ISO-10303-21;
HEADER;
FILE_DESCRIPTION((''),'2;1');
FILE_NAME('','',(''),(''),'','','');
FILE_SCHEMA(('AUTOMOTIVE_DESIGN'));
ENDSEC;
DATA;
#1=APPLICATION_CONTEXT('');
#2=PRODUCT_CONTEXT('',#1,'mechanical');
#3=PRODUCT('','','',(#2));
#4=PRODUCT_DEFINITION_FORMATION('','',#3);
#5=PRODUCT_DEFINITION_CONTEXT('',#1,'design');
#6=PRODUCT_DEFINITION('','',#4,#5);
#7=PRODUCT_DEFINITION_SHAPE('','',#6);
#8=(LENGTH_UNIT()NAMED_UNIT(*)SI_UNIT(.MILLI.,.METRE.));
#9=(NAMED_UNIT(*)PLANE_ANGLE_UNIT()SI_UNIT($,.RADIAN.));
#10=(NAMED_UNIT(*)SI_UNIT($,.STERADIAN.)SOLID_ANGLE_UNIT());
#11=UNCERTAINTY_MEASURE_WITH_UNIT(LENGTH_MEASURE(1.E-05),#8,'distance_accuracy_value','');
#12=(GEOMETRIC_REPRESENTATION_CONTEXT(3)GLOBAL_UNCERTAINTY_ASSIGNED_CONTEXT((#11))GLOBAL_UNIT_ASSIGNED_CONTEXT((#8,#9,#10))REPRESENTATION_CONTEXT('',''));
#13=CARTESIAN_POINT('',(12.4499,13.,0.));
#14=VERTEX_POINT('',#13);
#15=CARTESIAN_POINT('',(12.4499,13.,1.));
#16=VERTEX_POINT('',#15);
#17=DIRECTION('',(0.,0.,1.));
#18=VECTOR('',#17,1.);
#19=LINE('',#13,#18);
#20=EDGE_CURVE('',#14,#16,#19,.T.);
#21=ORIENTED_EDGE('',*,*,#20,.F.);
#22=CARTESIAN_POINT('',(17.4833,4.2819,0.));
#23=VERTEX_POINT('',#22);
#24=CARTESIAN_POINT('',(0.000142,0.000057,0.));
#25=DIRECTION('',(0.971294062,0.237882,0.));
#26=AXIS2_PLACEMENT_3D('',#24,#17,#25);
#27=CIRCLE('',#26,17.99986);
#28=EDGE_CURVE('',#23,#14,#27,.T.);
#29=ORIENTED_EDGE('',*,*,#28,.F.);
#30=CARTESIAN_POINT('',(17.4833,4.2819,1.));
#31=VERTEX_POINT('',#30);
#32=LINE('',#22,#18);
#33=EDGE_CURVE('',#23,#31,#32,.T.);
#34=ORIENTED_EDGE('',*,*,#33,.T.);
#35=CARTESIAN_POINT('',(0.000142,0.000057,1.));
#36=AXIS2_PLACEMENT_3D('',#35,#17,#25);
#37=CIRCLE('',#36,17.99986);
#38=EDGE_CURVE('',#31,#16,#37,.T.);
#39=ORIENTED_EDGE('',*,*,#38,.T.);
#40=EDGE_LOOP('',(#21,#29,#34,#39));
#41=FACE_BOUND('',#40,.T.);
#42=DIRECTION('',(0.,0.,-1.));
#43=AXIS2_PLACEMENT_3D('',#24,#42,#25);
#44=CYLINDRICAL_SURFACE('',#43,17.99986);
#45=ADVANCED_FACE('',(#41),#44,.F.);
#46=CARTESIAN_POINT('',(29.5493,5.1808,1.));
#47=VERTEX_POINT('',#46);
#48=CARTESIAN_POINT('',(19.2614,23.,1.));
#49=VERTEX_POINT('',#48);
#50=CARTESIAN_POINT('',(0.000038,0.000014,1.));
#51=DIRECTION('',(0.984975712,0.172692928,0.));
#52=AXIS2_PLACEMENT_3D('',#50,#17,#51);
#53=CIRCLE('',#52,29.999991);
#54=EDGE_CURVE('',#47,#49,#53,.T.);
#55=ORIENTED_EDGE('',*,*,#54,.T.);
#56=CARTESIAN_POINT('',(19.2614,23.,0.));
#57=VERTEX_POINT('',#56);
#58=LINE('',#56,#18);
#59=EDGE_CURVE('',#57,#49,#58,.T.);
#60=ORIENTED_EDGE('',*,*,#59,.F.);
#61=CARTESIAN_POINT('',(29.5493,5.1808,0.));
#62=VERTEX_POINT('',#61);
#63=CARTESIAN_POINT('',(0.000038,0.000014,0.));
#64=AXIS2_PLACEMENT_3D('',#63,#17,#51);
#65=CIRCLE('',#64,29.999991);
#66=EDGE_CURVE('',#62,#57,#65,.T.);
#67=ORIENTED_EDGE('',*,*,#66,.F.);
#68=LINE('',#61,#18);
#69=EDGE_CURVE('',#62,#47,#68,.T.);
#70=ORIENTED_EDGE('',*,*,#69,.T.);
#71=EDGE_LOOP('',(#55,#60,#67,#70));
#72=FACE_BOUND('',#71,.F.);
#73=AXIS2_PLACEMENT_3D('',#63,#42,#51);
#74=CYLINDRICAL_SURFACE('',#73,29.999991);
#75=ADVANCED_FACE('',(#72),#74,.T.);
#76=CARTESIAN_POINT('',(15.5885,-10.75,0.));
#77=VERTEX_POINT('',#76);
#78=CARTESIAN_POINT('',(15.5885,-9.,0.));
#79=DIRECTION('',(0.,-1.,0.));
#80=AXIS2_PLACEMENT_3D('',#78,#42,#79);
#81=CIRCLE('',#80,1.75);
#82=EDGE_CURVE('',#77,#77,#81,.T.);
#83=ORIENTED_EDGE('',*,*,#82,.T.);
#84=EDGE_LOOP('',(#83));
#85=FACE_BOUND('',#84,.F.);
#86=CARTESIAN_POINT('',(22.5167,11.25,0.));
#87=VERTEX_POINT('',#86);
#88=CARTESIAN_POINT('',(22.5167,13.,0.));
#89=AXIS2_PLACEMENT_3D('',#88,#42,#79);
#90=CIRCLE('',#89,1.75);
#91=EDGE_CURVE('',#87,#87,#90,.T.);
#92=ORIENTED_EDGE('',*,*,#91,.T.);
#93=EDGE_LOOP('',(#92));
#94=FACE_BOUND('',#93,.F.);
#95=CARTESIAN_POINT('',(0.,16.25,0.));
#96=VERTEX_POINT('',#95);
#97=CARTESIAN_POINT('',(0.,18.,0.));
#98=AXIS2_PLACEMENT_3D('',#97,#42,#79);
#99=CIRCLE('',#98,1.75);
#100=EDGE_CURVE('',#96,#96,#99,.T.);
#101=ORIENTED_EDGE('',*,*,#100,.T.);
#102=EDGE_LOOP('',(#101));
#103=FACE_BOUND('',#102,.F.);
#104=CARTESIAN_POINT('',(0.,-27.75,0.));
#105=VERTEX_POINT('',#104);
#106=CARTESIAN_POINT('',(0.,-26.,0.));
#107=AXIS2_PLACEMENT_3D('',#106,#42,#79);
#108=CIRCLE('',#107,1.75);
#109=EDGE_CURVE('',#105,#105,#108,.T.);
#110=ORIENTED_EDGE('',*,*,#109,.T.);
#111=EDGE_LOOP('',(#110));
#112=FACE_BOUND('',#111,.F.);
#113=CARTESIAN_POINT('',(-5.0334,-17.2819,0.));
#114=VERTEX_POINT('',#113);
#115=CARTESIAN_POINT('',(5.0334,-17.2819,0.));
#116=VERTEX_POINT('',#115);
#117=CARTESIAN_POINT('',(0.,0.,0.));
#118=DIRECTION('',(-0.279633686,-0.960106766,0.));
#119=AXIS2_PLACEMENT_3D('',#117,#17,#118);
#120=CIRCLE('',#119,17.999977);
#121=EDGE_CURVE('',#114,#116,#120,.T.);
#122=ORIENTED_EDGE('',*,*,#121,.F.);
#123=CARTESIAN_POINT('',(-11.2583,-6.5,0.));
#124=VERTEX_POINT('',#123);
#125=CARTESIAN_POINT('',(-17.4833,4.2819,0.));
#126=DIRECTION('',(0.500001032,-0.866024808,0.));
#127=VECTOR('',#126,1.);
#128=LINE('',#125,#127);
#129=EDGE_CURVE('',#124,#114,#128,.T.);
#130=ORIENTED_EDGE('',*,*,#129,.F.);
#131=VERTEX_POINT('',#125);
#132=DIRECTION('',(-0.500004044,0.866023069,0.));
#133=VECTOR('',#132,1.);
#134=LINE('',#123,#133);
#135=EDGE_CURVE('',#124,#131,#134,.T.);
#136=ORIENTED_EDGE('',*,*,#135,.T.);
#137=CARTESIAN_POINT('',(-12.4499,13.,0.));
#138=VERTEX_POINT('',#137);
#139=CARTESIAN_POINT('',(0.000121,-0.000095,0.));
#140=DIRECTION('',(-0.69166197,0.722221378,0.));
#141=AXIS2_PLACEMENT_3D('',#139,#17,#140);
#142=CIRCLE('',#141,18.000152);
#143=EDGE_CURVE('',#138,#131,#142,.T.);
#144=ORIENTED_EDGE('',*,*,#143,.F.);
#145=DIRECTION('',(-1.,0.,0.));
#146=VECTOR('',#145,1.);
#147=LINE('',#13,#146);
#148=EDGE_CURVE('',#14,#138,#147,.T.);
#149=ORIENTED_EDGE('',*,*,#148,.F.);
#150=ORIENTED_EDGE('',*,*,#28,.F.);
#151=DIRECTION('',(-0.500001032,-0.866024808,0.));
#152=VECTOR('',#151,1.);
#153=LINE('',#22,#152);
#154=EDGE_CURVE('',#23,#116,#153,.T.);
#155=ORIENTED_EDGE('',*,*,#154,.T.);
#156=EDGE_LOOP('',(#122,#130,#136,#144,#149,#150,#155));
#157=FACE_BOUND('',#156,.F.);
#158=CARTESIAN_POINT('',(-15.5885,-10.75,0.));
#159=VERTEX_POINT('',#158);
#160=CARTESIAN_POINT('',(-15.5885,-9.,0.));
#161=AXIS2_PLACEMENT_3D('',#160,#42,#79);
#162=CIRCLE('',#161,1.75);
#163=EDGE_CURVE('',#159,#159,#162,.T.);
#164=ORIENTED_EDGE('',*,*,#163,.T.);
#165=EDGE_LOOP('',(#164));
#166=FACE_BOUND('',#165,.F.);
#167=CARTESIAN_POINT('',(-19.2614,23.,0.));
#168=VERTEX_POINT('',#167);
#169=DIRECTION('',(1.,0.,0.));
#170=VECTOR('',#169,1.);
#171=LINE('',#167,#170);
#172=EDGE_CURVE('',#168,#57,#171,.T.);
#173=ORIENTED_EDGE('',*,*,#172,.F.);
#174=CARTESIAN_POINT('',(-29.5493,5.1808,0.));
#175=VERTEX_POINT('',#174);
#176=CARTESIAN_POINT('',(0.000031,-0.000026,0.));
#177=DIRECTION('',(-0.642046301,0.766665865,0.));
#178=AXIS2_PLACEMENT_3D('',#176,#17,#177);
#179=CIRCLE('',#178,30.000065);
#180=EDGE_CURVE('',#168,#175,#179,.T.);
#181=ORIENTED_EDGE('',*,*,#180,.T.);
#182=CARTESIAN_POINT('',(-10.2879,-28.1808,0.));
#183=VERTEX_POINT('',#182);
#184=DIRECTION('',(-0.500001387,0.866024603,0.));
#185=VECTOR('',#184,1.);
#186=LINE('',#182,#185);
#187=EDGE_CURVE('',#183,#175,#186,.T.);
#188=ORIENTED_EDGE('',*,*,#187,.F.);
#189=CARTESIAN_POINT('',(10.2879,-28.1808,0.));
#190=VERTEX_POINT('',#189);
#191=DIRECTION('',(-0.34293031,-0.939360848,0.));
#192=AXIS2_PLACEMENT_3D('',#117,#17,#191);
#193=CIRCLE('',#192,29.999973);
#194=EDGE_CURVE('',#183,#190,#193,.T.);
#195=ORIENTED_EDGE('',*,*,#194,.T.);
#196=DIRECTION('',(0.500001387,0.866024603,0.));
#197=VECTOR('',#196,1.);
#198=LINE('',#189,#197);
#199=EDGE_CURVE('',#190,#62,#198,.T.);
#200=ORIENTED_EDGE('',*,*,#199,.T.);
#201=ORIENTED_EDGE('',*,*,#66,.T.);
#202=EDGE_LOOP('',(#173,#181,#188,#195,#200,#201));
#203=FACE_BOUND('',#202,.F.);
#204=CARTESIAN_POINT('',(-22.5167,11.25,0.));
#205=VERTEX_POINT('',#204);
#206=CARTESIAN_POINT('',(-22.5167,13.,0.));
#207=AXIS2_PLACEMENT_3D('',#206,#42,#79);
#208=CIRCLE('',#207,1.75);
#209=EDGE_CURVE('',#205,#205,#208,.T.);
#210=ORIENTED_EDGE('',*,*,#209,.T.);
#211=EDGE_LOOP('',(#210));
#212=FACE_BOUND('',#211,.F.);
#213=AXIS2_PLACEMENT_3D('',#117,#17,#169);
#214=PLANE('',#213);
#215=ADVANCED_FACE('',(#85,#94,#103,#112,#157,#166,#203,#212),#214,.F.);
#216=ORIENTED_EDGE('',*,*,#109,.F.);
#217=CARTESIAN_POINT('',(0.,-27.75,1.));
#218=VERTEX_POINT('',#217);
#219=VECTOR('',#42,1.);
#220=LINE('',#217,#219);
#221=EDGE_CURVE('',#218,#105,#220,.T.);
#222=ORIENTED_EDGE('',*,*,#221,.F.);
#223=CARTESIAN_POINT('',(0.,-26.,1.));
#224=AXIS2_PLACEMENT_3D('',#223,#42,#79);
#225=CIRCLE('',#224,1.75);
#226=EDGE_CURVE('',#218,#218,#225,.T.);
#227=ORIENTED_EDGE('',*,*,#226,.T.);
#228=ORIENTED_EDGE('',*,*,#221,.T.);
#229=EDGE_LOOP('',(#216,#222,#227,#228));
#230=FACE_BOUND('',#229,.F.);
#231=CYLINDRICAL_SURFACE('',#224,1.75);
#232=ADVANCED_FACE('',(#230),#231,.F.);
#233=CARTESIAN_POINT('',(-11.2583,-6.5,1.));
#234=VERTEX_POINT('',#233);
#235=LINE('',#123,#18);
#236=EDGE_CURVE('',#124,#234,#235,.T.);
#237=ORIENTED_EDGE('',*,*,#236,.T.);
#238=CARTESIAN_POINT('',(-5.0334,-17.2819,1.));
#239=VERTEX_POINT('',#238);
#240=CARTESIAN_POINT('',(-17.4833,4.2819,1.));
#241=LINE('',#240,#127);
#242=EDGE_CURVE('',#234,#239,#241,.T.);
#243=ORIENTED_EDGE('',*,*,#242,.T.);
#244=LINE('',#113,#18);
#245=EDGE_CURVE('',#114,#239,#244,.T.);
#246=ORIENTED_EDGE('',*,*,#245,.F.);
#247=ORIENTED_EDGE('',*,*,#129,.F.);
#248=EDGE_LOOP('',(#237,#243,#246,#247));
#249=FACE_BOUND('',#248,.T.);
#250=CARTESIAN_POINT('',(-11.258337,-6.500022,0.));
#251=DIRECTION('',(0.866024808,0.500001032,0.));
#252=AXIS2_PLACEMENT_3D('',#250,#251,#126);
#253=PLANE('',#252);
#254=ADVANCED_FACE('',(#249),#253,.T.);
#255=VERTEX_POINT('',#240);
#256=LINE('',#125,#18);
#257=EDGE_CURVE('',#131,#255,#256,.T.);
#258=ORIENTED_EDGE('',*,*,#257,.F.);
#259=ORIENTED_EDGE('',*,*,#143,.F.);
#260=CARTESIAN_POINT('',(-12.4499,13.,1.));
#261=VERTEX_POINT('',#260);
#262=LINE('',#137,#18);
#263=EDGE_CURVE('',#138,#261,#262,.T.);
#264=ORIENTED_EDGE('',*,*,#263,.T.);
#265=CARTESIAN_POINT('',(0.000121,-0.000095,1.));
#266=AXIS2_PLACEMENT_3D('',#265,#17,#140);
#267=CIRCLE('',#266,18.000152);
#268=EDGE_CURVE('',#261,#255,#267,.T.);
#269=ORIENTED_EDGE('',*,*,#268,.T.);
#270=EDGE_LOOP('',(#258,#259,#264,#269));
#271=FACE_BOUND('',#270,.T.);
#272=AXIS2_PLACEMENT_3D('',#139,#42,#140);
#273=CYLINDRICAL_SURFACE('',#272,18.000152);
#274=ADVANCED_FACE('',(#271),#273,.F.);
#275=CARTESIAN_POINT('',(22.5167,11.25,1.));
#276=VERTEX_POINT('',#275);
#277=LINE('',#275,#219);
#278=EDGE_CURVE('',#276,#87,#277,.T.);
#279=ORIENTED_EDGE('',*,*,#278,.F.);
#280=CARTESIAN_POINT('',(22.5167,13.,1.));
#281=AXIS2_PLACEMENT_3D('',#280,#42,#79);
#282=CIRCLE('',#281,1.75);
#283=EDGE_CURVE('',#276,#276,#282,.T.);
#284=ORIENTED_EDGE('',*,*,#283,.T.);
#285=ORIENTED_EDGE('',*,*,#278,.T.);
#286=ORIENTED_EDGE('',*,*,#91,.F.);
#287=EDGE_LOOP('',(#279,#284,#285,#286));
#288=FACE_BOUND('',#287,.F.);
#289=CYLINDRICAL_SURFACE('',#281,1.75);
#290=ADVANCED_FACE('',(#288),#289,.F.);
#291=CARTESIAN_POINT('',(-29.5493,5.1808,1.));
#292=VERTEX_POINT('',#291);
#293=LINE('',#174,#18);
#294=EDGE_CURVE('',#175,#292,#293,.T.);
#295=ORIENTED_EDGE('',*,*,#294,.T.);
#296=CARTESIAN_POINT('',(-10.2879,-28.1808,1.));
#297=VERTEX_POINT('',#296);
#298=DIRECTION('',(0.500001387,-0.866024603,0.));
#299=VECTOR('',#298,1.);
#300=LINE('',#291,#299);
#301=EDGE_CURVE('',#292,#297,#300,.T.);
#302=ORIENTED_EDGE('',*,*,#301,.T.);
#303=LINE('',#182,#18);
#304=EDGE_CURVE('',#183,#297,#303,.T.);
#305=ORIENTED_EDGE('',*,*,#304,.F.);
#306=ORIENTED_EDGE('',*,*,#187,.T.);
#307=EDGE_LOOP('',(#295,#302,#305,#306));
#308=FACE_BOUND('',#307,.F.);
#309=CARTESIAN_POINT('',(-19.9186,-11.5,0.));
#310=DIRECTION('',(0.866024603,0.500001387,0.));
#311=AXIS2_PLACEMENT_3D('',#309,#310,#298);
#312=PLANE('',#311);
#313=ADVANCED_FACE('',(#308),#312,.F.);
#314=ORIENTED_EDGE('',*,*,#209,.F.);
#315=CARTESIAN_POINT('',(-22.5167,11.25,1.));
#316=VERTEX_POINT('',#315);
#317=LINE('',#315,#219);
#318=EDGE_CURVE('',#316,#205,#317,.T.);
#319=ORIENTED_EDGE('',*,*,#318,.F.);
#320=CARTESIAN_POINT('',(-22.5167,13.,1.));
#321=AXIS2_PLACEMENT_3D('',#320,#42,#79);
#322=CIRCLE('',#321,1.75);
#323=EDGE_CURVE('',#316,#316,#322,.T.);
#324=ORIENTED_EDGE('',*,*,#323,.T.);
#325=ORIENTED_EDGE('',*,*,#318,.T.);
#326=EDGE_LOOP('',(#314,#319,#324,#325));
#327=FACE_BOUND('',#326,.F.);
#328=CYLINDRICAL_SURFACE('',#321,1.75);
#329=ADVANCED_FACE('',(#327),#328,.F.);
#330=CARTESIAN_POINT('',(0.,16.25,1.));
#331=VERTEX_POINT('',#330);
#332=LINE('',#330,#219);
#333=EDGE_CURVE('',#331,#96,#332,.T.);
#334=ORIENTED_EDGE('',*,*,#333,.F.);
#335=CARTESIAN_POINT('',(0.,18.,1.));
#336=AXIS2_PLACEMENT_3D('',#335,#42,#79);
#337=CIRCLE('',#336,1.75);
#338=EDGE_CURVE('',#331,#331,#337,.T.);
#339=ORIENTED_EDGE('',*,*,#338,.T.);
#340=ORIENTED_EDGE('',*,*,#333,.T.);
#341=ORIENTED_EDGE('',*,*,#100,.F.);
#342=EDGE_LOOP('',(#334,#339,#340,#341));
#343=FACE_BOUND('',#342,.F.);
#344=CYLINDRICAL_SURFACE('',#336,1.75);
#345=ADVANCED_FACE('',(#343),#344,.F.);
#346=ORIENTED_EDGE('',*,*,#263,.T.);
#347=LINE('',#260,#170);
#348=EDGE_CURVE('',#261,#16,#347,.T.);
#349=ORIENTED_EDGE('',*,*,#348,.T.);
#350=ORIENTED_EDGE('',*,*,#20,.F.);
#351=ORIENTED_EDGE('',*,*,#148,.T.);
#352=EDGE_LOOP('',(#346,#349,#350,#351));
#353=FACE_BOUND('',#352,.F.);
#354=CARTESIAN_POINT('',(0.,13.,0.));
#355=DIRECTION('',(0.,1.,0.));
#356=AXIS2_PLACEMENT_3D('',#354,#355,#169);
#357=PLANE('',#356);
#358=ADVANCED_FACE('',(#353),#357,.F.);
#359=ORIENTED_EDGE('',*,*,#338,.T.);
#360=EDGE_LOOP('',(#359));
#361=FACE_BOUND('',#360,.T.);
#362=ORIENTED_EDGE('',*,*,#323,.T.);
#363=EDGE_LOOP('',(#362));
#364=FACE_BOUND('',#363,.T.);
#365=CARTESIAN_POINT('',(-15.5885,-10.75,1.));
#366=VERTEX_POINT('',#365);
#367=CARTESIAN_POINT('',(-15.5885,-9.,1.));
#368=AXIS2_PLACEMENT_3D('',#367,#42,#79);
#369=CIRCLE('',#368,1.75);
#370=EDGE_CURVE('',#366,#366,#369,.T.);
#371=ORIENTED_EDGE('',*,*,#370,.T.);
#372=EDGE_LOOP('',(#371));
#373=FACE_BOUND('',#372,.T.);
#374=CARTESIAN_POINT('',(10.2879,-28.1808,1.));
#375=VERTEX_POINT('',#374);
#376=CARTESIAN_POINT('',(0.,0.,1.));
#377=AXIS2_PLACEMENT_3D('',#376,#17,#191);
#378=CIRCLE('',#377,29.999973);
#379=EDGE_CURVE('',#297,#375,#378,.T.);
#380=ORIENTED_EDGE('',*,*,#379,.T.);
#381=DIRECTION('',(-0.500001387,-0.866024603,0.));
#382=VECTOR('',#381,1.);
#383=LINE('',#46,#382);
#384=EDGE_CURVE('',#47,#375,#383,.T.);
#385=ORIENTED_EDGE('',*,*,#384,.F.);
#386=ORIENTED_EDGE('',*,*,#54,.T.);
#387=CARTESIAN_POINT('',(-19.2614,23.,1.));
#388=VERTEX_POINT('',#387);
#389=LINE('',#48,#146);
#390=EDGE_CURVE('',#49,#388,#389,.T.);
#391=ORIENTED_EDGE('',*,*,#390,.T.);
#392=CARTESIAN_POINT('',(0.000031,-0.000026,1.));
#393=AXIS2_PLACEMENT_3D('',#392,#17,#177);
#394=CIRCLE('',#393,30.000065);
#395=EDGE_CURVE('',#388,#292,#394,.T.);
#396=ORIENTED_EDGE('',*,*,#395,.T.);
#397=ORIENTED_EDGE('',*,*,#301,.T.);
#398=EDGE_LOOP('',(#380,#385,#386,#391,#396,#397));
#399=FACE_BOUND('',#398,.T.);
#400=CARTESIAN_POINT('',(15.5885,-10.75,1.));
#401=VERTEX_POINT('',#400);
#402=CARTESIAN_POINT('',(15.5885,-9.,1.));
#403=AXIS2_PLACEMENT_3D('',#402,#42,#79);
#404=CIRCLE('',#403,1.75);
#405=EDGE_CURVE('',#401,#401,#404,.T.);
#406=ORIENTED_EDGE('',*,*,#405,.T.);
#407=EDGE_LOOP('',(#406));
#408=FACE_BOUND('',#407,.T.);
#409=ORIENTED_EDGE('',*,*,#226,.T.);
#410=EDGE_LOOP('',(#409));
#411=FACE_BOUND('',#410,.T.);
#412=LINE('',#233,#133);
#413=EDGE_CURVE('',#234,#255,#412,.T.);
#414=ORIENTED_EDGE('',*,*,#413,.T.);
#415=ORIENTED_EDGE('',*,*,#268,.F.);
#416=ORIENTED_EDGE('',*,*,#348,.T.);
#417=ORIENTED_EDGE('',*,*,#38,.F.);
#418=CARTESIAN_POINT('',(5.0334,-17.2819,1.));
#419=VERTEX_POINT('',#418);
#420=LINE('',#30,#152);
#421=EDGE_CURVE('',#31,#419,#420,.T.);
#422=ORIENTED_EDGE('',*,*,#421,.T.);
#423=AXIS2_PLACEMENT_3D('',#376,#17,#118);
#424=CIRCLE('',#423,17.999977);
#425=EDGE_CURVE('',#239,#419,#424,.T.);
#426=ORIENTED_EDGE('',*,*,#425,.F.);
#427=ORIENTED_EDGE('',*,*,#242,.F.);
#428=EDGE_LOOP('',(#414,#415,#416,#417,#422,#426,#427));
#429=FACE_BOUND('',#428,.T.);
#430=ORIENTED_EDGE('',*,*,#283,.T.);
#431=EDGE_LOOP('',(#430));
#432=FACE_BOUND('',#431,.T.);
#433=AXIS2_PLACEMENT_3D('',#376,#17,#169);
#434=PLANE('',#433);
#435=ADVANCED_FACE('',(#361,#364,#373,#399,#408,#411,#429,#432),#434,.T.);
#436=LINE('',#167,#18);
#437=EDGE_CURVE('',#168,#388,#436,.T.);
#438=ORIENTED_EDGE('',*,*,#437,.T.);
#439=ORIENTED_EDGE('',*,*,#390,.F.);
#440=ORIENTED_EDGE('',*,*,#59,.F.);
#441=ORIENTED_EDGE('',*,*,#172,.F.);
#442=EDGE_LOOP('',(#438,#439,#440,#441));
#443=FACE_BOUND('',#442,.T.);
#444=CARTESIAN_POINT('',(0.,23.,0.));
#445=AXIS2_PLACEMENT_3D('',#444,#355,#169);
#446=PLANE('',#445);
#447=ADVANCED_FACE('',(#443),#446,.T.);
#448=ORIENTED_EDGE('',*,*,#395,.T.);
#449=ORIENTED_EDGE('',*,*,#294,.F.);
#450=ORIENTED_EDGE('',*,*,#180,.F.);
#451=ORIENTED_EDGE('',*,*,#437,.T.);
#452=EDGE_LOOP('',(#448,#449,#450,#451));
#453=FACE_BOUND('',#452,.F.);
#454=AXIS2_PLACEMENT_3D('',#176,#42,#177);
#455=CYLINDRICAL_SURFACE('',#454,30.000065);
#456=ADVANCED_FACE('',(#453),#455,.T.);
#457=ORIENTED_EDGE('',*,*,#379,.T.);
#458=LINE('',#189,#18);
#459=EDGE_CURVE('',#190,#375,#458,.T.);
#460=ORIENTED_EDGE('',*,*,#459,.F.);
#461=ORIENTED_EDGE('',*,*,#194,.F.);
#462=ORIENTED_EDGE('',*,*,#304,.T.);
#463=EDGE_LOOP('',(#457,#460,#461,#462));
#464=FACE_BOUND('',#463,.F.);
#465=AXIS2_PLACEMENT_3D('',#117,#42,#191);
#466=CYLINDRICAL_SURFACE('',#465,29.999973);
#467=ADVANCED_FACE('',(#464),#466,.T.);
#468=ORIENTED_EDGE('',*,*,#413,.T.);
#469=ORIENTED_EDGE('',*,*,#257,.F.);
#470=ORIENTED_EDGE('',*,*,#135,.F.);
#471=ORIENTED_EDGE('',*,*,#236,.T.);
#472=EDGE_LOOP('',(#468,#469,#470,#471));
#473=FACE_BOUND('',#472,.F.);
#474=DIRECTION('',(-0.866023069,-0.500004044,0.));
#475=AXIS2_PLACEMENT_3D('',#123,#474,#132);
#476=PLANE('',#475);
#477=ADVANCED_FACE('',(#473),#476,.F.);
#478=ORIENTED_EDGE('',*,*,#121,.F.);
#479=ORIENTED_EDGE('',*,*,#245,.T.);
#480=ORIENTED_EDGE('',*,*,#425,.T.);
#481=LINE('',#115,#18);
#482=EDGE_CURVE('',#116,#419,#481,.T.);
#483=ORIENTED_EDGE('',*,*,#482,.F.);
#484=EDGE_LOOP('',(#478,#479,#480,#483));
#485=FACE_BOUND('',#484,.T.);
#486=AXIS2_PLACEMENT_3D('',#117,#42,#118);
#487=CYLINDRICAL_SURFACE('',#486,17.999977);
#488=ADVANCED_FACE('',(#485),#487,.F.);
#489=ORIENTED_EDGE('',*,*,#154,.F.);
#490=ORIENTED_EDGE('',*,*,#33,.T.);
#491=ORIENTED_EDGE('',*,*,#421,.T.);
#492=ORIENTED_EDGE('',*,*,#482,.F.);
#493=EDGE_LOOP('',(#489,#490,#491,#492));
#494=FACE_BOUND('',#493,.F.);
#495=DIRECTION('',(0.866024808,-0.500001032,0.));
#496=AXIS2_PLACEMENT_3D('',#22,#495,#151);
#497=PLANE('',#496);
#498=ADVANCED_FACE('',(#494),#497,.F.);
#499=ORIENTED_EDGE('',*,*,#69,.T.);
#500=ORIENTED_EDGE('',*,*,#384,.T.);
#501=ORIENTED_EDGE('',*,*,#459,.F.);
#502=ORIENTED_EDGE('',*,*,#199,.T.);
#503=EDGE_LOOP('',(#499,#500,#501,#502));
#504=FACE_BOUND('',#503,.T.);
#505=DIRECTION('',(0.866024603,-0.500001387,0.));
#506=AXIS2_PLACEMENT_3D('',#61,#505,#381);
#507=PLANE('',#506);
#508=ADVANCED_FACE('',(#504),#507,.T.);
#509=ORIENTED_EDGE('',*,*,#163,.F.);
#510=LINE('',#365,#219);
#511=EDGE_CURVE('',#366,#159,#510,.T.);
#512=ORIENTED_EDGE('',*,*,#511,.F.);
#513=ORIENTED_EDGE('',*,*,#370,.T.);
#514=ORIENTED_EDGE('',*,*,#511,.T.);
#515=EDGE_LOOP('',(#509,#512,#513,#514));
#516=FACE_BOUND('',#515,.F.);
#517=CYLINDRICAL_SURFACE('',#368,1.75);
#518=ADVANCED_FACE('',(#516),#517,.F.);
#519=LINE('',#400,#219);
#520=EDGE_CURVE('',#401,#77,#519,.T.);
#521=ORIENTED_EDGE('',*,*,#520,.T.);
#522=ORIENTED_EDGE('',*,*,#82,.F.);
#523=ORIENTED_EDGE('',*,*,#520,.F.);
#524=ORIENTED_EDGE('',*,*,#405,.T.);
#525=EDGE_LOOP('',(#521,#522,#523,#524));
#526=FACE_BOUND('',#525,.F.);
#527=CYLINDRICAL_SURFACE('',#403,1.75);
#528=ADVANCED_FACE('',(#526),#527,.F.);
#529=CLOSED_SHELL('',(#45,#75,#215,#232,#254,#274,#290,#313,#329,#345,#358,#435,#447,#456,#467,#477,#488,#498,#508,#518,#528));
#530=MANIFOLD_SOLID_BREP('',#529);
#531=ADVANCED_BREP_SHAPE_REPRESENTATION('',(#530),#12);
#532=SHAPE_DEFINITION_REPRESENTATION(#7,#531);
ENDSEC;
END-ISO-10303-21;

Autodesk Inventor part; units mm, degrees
ref_plane "YZ Plane" through (0, 0, 0) normal (1, 0, 0) x (0, 1, 0)
ref_plane "XZ Plane" through (0, 0, 0) normal (0, 1, 0) x (-1, 0, 0)
ref_plane "XY Plane" through (0, 0, 0) normal (0, 0, 1) x (1, 0, 0)
sketch "スケッチ1" plane through (0, 0, 0) normal (0, 0, 1) x (1, 0, 0)
  arc A0 (29.5493, 5.1808) -> (19.2614, 23) centre (0, 0) ccw
  arc A1 (-19.2614, 23) -> (-29.5493, 5.1808) centre (0, 0) ccw
  arc A2 (-10.2879, -28.1808) -> (10.2879, -28.1808) centre (0, 0) ccw
  line L0 (29.5493, 5.1808) -> (10.2879, -28.1808)
  line L1 (0, 23) -> (19.2614, 23)
  line L2 (19.9186, -11.5) -> (29.5493, 5.1808)
  line L3 (-19.9186, -11.5) -> (-29.5493, 5.1808)
  line L4 (19.2614, 23) -> (-19.2614, 23)
  line L5 (-29.5493, 5.1808) -> (-10.2879, -28.1808)
  arc A3 (17.4833, 4.2819) -> (12.4499, 13) centre (0, 0) ccw
  arc A4 (-12.4499, 13) -> (-17.4833, 4.2819) centre (0, 0) ccw
  arc A5 (-5.0334, -17.2819) -> (5.0334, -17.2819) centre (0, 0) ccw
  line L6 (0, 13) -> (12.4499, 13)
  line L7 (17.4833, 4.2819) -> (5.0334, -17.2819)
  line L8 (-11.2583, -6.5) -> (-17.4833, 4.2819)
  line L9 (0, 13) -> (-12.4499, 13)
  line L10 (-17.4833, 4.2819) -> (-5.0334, -17.2819)
  point P0 (11.2583, -6.5)
  dimension "d10" = 360
  dimension "d6" = 23
extrude "押し出し1" add sketch "スケッチ1" along normal blind 1
sketch "スケッチ2" plane through (0, 0, 1) normal (0, 0, 1) x (1, 0, 0)
  point P0 (0, 0)
  point P1 (0, 18)
  point P2 (0, 0)
  point P3 (-15.5885, -9)
  point P4 (0, 0)
  point P5 (15.5885, -9)
  point P6 (0, -26)
  point P7 (22.5167, 13)
  point P8 (-22.5167, 13)
  dimension "d15" = 18
  dimension "d18" = 360
  dimension "d20" = 26
  dimension "d23" = 360
hole "穴1" at (0, 18, 1) at (-15.5885, -9, 1) at (15.5885, -9, 1) at (0, -26, 1) at (22.5167, 13, 1) at (-22.5167, 13, 1) direction (0, 0, -1) diameter 3.5 end through all
properties part number "スプリングフランジ"
